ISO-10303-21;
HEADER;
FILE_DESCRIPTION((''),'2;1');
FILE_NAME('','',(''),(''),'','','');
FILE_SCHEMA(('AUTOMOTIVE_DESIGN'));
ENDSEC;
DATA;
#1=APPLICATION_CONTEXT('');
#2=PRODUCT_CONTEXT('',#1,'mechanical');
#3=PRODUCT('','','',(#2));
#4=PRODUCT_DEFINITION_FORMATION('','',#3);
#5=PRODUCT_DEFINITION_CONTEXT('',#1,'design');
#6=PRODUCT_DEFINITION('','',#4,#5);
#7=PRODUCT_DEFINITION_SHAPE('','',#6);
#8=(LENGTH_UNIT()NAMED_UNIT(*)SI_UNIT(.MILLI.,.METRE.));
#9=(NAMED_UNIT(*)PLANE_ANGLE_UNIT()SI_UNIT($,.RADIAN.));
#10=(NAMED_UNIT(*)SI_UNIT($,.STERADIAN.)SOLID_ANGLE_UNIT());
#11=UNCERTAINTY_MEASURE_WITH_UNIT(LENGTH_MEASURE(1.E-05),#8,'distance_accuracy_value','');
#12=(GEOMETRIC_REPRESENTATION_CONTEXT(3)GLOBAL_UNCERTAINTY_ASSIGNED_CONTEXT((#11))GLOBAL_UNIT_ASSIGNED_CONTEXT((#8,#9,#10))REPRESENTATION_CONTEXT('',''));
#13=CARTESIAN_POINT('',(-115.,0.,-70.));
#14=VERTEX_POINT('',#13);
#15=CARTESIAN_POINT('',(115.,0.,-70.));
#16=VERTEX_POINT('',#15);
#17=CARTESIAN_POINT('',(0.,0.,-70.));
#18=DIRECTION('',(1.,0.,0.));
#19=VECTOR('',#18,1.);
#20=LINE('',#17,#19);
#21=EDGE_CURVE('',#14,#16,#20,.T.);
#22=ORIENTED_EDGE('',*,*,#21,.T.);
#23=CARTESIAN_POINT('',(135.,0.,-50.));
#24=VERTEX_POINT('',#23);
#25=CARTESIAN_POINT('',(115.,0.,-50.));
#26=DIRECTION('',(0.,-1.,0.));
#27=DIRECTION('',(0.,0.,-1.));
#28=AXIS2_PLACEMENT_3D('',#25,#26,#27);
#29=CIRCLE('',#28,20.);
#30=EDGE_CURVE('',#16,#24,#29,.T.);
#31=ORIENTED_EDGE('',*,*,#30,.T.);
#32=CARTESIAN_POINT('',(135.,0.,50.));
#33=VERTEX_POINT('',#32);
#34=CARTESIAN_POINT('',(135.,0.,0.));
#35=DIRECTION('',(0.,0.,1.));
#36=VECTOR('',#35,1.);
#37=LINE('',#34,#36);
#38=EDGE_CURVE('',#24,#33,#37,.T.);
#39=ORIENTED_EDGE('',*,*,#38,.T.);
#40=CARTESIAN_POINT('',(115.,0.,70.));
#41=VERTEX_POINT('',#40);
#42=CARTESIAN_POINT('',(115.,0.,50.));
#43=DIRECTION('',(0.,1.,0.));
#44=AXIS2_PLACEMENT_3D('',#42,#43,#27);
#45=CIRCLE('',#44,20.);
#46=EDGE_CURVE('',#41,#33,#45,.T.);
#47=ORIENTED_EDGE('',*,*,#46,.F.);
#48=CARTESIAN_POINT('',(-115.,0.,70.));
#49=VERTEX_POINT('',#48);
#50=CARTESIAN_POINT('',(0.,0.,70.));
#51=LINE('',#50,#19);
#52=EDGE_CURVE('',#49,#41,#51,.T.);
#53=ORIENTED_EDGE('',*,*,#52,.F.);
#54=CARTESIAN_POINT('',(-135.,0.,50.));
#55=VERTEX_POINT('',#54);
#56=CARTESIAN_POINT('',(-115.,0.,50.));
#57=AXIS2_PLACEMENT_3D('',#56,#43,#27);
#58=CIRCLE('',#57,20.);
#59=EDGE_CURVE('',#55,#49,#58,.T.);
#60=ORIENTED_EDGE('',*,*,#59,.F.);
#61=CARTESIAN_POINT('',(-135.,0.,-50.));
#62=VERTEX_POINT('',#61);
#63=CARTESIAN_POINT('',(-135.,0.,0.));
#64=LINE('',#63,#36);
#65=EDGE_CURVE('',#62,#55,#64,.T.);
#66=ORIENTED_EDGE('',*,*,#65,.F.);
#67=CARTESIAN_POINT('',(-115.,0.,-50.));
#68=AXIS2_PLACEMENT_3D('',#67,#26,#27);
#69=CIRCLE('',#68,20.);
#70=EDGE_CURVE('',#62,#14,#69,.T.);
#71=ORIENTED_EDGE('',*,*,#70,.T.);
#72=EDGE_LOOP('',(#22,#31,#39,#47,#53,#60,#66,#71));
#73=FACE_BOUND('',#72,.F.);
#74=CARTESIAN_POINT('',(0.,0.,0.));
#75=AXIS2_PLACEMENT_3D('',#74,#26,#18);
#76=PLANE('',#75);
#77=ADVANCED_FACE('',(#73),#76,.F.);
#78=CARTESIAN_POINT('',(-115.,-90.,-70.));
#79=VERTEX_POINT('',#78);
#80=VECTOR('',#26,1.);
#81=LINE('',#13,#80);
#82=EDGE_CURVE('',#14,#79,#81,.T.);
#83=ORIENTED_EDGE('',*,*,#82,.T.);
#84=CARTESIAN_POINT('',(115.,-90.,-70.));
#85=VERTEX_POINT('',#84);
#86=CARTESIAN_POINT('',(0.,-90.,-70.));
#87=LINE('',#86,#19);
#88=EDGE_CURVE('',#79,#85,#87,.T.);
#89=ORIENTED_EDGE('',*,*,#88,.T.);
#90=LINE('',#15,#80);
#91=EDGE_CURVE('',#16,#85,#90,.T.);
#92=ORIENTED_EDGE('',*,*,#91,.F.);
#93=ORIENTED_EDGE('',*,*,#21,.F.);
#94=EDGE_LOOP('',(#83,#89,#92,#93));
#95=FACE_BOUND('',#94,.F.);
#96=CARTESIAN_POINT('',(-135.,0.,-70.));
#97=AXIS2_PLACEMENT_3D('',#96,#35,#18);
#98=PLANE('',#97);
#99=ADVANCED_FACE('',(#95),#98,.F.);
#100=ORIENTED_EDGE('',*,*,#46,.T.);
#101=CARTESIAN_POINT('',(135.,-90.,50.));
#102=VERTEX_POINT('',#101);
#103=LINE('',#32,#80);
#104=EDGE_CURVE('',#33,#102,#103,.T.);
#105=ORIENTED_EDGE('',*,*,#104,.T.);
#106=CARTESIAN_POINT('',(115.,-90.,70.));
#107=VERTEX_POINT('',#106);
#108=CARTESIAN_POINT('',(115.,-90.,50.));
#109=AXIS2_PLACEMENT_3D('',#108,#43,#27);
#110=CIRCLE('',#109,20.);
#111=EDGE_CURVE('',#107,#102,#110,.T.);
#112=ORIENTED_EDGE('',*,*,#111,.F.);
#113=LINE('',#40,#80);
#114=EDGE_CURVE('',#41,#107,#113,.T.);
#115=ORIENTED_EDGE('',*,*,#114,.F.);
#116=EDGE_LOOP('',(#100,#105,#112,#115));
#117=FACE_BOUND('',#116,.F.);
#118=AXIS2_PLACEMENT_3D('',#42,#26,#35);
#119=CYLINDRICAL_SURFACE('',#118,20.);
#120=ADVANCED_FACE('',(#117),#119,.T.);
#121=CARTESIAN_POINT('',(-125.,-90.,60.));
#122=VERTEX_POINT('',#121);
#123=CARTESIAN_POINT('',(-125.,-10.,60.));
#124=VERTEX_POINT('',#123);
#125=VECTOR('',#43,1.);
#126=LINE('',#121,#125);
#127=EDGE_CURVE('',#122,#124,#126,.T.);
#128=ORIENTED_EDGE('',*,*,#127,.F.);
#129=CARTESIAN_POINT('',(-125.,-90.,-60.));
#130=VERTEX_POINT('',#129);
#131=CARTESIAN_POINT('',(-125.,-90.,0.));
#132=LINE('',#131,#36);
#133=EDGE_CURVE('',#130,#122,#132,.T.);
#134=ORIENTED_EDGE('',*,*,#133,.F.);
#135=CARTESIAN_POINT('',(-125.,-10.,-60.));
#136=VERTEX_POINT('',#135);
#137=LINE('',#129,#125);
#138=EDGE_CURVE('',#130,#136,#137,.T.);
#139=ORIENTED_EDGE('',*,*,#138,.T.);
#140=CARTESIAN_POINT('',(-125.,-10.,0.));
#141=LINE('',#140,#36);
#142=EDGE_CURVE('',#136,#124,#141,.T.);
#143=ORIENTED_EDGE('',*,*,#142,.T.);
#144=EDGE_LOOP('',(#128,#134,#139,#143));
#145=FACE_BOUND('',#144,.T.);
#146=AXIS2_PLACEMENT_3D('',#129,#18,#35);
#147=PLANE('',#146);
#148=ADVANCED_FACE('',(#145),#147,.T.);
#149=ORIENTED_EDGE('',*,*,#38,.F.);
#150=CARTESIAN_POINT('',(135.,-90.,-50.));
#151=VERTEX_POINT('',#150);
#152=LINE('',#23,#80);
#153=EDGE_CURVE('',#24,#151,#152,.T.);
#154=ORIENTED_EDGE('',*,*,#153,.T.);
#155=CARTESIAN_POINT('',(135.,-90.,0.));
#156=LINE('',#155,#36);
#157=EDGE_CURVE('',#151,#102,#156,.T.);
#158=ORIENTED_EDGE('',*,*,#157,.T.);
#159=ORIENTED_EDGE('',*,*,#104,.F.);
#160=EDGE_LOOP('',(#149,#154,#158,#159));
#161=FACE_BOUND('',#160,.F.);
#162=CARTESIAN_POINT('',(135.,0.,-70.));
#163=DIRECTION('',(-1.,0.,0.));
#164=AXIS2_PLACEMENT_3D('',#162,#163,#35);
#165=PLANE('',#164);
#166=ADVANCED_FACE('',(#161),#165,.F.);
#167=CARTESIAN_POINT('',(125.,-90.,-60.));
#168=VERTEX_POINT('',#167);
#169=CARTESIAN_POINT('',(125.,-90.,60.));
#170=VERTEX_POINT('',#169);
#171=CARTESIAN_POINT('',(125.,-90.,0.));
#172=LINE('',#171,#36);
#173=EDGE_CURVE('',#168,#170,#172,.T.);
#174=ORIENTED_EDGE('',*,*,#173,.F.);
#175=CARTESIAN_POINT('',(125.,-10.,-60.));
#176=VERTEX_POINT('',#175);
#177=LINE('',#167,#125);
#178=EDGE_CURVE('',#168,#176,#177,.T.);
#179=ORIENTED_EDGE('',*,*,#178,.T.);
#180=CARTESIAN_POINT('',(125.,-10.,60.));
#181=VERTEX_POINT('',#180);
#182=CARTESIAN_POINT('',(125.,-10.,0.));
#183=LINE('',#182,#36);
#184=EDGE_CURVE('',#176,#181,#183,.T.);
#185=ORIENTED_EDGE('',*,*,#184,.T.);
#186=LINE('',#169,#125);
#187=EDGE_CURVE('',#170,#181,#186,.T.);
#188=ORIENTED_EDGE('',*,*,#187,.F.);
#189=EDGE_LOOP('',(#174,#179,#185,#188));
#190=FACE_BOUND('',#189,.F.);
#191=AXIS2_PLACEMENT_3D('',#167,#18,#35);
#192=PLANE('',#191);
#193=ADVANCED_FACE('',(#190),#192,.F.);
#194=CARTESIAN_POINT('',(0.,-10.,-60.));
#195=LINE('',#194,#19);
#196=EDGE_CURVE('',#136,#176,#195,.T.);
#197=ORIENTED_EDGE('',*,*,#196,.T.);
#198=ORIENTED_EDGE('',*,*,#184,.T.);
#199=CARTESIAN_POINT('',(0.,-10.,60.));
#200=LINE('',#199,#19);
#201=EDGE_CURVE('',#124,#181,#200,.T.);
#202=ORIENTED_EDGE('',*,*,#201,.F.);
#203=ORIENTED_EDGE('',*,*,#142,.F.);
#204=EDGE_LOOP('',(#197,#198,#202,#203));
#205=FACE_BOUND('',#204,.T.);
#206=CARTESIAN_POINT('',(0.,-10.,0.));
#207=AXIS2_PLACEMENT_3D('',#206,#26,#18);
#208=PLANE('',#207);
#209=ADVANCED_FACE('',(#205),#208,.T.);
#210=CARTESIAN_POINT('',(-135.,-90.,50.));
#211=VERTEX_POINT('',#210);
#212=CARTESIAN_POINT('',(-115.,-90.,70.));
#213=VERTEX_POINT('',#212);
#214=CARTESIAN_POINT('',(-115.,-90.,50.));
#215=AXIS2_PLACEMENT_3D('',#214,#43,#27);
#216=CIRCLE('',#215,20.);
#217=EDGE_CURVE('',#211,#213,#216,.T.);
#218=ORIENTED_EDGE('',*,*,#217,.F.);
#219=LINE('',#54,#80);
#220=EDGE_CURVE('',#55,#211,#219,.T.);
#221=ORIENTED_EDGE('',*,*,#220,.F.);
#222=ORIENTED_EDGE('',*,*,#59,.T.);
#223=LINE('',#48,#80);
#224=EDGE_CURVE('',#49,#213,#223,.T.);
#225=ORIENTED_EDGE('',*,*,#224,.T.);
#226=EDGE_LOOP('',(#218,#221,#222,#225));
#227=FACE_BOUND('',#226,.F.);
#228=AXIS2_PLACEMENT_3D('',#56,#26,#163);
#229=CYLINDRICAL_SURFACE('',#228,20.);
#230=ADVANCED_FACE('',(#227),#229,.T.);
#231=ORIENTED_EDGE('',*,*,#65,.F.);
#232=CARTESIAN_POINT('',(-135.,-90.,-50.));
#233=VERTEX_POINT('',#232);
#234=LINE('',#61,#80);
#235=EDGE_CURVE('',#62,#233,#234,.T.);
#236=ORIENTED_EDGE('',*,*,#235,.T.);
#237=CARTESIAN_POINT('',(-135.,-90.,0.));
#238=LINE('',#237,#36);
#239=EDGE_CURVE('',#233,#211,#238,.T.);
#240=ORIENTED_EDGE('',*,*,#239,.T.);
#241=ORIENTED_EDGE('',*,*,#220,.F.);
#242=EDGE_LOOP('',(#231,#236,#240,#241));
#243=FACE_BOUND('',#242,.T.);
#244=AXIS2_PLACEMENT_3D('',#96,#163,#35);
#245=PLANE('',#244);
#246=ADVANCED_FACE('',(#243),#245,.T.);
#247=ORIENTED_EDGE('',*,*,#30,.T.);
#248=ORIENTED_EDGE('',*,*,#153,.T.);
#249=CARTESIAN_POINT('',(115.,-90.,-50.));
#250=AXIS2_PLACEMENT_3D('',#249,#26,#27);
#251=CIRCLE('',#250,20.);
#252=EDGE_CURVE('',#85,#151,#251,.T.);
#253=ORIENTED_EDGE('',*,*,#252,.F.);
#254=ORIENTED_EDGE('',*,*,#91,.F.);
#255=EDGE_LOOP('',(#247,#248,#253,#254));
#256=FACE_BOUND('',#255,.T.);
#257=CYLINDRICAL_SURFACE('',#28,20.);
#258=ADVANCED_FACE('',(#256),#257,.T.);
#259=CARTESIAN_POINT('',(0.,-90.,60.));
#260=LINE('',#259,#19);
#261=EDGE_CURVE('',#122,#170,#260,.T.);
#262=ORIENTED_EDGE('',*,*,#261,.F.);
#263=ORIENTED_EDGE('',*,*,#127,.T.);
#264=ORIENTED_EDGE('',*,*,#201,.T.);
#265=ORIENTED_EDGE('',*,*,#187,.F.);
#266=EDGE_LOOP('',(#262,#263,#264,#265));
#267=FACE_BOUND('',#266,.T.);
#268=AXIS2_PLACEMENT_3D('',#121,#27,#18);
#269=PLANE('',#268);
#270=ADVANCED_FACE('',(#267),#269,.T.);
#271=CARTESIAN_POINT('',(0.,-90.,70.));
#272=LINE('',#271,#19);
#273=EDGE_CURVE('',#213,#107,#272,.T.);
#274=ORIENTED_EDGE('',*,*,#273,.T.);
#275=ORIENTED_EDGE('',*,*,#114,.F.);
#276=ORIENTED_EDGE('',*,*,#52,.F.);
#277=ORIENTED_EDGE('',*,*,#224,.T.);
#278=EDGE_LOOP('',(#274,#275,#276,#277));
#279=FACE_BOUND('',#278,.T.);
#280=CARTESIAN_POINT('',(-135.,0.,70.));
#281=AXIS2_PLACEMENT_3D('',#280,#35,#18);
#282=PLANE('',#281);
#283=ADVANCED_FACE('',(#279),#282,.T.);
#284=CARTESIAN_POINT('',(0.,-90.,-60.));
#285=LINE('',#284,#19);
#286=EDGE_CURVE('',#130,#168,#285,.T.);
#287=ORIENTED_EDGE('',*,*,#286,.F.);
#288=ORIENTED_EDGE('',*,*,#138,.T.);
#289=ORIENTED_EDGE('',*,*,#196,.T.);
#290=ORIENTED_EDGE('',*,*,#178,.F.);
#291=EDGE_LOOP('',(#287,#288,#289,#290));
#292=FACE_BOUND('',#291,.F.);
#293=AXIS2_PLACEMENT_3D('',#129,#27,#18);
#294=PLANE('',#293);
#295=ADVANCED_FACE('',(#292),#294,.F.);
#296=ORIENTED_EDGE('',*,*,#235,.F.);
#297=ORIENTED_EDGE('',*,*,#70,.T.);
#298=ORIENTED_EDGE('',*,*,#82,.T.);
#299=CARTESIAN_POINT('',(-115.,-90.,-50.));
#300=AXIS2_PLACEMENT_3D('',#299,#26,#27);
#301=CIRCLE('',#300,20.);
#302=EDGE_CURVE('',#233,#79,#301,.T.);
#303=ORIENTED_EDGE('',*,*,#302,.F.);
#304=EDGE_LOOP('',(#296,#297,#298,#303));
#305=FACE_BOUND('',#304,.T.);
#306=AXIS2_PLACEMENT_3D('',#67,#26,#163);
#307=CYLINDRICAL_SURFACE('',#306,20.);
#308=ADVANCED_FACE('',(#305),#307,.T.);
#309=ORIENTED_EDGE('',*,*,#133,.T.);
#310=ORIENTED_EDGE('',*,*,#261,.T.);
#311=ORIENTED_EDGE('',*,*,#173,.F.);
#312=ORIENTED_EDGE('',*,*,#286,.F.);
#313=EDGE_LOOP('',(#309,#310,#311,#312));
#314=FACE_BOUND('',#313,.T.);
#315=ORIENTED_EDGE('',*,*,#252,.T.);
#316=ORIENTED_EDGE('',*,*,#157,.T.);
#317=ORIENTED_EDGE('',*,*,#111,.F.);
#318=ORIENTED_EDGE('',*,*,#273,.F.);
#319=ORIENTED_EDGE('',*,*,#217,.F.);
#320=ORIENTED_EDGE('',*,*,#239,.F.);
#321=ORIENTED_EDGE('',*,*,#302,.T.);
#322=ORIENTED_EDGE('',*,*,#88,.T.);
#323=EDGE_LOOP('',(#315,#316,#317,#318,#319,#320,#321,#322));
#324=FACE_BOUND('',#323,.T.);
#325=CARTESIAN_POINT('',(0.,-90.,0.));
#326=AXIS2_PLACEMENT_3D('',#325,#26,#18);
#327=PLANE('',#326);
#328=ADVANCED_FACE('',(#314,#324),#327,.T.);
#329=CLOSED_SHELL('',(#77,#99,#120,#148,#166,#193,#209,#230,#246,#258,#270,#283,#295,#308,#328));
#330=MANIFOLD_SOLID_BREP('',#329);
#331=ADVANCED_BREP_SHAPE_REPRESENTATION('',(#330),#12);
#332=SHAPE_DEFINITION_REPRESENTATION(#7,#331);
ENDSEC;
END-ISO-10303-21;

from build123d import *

# Parameters (mm, degrees)
F0_W     = 270
F0_H     = 140
F1_DEPTH = 90
F2_W     = 250
F2_H     = 120
F3_DEPTH = 80
F4_R     = 20


with BuildPart() as f1:
    # F0 (on Front) → F1 (new body)
    with BuildSketch(Plane.XZ):
        Rectangle(F0_W, F0_H)
    extrude(amount=F1_DEPTH)

    # F2 (on face) → F3 (cut)
    with BuildSketch(Plane.XZ.offset(90)):
        Rectangle(F2_W, F2_H)
    extrude(amount=-F3_DEPTH, mode=Mode.SUBTRACT)

    # F4
    f4_edges = [f1.edges().sort_by_distance(p)[0] for p in [
        (-135, -45, 70),
        (135, -45, 70),
        (-135, -45, -70),
        (135, -45, -70),
    ]]
    fillet(f4_edges, radius=F4_R)


solid = f1.part
